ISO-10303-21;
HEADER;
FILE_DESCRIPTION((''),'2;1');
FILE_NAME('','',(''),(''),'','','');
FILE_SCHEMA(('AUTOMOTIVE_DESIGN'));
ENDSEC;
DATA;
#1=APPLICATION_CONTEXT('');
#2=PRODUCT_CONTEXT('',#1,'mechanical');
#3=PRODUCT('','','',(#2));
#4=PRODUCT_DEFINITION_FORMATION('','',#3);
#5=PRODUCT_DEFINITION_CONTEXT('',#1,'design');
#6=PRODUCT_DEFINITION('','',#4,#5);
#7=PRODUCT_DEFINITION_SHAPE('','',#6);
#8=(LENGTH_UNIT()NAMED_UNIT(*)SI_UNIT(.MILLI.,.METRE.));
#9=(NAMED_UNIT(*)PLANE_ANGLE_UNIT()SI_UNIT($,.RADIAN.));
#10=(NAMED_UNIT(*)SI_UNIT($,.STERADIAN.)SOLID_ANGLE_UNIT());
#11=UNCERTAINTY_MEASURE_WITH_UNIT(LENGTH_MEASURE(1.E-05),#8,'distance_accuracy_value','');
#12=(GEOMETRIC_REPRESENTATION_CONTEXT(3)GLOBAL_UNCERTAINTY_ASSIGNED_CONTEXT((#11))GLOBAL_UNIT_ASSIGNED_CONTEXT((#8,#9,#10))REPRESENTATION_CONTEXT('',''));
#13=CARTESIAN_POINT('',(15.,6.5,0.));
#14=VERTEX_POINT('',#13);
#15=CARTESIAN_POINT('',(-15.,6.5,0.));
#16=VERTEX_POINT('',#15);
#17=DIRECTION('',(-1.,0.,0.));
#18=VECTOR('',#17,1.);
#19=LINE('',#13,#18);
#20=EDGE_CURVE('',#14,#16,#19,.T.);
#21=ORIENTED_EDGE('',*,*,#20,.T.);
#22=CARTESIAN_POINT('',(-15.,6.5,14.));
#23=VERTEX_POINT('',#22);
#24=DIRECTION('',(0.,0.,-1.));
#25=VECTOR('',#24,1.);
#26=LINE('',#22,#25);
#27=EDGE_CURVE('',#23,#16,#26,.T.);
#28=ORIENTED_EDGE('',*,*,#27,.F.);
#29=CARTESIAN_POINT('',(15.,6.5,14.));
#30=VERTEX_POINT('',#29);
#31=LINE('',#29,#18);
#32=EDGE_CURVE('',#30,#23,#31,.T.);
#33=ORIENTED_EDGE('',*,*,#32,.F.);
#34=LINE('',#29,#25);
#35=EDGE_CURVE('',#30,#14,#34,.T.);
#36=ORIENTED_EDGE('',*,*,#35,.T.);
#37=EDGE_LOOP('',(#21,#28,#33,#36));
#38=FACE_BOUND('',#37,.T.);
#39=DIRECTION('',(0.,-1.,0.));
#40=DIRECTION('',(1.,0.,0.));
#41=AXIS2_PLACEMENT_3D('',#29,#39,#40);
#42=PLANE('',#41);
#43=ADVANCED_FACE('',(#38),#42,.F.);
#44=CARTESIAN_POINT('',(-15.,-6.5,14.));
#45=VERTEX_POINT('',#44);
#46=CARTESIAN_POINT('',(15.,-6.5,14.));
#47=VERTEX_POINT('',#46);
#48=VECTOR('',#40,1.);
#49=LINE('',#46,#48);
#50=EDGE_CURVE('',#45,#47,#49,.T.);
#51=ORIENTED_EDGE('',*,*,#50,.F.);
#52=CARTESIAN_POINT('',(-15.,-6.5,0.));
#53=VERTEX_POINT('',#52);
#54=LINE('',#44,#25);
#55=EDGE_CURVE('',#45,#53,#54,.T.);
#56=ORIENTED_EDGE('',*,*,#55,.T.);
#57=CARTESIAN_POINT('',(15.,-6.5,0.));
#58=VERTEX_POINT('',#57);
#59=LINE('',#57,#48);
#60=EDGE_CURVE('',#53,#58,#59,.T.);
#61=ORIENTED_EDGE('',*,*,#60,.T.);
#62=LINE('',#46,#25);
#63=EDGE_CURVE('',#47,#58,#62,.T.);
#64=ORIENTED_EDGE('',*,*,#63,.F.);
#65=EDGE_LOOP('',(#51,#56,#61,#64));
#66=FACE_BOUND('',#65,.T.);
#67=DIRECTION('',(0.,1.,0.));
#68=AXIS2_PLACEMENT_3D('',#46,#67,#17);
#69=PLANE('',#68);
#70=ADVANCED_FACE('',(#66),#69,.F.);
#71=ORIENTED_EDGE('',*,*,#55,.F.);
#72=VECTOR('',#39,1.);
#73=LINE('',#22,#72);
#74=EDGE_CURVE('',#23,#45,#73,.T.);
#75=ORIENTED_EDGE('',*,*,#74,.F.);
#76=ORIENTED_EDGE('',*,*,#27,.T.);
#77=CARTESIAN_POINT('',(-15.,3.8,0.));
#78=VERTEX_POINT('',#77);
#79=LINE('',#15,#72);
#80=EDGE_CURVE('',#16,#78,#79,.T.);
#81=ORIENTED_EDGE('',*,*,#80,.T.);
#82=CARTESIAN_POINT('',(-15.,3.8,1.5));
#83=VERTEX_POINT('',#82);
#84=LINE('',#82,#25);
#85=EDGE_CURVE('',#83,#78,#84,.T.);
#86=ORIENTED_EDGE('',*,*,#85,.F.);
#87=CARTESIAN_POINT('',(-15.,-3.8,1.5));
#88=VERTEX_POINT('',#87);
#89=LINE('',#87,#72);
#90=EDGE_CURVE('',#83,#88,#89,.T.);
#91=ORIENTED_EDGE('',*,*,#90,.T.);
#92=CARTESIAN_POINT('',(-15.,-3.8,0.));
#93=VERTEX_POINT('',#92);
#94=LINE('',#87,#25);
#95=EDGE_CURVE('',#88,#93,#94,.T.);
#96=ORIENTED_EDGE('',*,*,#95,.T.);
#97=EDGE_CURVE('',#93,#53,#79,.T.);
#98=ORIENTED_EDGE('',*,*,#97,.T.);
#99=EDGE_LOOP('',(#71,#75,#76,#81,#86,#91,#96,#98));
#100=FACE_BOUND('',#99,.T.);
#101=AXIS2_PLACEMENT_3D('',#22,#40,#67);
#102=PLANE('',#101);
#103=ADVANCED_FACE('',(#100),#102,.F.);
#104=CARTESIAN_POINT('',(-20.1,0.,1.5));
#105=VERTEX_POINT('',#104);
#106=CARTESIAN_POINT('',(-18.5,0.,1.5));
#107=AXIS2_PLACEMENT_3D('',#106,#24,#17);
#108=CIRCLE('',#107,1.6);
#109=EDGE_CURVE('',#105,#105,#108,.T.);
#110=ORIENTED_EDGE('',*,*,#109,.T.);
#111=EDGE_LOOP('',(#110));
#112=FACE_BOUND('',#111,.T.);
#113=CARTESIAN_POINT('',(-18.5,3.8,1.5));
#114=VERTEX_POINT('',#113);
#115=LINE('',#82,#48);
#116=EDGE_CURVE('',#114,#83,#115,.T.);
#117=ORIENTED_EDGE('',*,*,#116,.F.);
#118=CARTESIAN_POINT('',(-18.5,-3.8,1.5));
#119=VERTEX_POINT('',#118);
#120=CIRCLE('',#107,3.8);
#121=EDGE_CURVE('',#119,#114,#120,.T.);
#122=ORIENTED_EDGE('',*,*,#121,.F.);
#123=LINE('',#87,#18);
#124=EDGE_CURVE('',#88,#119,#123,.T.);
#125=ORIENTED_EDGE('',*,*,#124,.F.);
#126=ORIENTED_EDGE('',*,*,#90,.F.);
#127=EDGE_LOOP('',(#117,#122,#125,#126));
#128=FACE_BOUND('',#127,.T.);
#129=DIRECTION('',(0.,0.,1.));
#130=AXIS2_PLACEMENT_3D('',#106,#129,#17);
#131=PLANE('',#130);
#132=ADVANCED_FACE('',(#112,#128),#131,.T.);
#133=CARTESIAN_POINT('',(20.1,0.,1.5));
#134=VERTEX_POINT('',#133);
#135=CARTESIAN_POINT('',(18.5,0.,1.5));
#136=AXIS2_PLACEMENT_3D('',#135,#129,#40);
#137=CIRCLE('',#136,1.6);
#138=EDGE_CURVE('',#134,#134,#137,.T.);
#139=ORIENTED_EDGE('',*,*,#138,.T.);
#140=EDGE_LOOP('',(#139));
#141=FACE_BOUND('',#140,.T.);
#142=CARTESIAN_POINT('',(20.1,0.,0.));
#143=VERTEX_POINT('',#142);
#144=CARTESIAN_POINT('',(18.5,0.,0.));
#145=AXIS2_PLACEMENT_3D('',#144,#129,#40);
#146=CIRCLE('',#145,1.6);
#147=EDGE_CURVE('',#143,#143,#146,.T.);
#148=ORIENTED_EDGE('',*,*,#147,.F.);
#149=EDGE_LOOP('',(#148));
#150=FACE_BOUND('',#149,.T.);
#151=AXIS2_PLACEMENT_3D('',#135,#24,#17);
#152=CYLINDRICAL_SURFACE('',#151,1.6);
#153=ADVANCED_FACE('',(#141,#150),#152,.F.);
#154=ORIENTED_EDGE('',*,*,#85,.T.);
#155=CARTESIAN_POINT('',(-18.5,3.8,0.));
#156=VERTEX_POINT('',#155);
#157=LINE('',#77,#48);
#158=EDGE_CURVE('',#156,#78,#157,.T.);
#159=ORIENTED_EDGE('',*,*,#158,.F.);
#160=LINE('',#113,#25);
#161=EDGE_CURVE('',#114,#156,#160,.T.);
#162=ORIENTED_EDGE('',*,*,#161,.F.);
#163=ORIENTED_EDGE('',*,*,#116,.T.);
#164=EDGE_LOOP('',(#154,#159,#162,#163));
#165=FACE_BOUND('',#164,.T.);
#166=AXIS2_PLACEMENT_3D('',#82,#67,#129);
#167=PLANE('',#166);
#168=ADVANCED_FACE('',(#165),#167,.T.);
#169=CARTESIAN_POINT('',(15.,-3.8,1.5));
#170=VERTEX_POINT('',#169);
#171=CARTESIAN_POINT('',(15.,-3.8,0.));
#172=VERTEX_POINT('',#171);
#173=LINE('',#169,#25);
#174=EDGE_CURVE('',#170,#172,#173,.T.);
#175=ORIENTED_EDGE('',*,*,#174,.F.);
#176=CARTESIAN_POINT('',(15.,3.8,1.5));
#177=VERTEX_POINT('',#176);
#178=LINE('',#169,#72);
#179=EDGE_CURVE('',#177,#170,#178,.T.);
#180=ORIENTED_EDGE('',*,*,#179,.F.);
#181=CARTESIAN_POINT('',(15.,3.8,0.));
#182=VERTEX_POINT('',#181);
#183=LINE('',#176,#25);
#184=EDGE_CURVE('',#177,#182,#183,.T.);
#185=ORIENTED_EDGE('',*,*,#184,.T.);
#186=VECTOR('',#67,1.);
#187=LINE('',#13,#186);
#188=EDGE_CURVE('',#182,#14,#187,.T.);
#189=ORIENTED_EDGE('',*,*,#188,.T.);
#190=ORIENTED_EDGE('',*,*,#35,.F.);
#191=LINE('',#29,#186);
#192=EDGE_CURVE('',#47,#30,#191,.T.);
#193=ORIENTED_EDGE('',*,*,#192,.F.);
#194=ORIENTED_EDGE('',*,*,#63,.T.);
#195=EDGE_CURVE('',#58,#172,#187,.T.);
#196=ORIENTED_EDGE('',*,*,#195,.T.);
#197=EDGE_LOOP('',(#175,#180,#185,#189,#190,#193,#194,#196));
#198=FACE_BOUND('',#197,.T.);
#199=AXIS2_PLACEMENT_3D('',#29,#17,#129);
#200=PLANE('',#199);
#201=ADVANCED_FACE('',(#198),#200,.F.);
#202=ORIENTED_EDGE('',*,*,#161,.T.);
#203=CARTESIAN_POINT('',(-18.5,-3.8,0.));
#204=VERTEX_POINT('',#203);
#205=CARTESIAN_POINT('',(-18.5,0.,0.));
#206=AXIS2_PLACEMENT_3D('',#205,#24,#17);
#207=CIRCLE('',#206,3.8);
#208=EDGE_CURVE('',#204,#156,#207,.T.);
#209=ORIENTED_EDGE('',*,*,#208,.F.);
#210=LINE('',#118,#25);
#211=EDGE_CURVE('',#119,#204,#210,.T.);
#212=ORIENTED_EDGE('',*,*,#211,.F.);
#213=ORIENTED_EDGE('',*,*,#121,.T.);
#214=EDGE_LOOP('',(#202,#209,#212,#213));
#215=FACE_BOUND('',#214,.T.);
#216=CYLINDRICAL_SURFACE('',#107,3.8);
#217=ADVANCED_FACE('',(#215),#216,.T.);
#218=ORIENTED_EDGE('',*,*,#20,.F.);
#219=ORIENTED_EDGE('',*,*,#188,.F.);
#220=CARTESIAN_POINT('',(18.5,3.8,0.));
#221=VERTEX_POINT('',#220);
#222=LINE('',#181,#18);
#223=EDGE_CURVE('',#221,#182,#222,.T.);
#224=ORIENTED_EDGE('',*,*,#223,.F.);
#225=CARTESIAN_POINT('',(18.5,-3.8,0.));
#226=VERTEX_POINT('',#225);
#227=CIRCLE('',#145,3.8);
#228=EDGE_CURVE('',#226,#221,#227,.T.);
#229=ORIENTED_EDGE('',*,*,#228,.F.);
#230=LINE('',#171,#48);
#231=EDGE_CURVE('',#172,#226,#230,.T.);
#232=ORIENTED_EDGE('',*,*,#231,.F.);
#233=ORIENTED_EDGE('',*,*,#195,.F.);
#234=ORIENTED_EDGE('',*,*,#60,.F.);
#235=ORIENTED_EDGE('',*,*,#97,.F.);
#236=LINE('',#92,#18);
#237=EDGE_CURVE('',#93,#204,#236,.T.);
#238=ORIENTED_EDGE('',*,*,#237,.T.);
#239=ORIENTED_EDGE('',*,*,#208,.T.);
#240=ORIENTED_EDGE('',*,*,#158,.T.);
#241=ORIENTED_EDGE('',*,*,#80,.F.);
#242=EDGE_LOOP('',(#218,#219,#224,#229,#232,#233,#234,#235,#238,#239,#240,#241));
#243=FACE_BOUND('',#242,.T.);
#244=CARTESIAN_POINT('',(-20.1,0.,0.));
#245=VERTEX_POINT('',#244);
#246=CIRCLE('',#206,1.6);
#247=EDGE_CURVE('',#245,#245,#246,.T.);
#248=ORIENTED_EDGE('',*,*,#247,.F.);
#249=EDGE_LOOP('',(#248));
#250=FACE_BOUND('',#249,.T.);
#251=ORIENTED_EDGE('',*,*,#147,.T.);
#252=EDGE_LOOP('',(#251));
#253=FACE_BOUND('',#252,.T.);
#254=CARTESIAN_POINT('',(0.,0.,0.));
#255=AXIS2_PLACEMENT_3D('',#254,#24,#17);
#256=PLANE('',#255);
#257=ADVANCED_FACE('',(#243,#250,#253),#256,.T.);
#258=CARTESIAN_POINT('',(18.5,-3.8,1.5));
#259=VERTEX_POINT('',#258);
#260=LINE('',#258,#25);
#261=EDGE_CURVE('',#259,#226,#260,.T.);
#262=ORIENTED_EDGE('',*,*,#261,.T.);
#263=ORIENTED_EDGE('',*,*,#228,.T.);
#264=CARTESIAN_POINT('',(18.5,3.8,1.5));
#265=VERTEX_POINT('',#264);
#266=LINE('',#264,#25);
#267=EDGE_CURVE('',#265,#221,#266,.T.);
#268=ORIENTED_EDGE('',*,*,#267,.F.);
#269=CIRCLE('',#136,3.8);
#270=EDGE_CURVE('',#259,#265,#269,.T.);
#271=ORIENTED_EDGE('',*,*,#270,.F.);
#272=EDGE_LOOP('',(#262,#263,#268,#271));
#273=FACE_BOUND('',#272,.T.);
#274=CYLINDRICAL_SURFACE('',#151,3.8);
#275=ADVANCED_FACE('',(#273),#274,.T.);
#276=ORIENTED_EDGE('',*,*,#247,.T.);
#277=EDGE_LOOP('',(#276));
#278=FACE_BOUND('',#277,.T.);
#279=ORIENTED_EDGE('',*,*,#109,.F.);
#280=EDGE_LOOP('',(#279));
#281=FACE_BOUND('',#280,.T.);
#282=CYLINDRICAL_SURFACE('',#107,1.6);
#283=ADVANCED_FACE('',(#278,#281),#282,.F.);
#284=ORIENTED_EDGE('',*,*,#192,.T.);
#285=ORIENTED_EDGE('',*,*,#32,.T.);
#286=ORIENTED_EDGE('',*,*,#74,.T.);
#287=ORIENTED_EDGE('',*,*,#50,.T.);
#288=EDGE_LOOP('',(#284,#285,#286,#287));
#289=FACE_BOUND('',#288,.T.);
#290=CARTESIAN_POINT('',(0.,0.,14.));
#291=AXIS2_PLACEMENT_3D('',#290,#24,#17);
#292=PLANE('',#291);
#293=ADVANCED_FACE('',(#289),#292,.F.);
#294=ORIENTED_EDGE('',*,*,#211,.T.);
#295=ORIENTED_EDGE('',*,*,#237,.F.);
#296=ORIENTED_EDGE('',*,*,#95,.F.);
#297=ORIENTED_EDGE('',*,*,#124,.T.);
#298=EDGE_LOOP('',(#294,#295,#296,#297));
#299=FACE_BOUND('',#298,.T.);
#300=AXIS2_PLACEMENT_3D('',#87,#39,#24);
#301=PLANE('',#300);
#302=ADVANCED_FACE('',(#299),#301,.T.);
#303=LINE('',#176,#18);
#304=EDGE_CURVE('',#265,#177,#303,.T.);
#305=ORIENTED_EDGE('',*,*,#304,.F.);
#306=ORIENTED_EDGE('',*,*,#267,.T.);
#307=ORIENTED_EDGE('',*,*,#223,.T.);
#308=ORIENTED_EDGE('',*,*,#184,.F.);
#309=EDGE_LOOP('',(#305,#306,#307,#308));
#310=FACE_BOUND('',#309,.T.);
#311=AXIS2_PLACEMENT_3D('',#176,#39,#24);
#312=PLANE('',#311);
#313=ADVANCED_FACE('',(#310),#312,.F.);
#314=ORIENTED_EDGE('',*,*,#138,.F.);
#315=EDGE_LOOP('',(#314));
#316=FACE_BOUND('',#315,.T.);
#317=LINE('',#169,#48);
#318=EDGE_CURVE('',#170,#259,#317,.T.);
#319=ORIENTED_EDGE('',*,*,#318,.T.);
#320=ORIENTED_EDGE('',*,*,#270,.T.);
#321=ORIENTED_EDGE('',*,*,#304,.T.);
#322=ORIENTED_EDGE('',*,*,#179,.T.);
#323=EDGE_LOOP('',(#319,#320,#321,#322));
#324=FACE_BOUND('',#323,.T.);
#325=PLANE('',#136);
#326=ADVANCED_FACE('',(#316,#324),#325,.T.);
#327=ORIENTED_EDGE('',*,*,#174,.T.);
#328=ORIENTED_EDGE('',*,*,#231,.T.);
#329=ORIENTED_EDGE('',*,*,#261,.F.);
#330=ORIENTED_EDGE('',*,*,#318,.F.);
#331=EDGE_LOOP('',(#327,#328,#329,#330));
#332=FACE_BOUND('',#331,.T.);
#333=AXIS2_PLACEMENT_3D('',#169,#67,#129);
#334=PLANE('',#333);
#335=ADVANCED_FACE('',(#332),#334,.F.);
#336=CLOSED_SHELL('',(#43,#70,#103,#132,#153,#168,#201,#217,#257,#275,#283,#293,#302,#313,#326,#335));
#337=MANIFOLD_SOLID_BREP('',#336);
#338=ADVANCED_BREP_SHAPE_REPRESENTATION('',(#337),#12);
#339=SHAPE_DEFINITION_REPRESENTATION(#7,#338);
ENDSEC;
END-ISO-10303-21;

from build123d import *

# Parameters (mm, degrees)
SKETCH1_W           = 30
SKETCH1_H           = 13
BOSS_EXTRUDE1_DEPTH = 14
SKETCH2_R           = 1.6
BOSS_EXTRUDE2_DEPTH = 1.5


with BuildPart() as part:
    # Sketch1 → Boss-Extrude1 (new body)
    with BuildSketch(Plane.XY):
        Rectangle(SKETCH1_W, SKETCH1_H)
    extrude(amount=BOSS_EXTRUDE1_DEPTH)

    # Sketch2 → Boss-Extrude2 (add)
    with BuildSketch(Plane.XY):
        with BuildLine():
            Line((15, -3.8), (15, 3.8))
            Line((15, 3.8), (18.5, 3.8))
            ThreePointArc((18.5, 3.8), (22.3, 0), (18.5, -3.8))
            Line((18.5, -3.8), (15, -3.8))
        make_face()
        with Locations((18.5, 0)):
            Circle(SKETCH2_R, mode=Mode.SUBTRACT)
    boss_extrude2 = extrude(amount=BOSS_EXTRUDE2_DEPTH)

    # Mirror1: Boss-Extrude2 across plane
    add(boss_extrude2.mirror(Plane(origin=(0, 0, 0), x_dir=(0, 0, 1), z_dir=(1, 0, 0))))


solid = part.part
